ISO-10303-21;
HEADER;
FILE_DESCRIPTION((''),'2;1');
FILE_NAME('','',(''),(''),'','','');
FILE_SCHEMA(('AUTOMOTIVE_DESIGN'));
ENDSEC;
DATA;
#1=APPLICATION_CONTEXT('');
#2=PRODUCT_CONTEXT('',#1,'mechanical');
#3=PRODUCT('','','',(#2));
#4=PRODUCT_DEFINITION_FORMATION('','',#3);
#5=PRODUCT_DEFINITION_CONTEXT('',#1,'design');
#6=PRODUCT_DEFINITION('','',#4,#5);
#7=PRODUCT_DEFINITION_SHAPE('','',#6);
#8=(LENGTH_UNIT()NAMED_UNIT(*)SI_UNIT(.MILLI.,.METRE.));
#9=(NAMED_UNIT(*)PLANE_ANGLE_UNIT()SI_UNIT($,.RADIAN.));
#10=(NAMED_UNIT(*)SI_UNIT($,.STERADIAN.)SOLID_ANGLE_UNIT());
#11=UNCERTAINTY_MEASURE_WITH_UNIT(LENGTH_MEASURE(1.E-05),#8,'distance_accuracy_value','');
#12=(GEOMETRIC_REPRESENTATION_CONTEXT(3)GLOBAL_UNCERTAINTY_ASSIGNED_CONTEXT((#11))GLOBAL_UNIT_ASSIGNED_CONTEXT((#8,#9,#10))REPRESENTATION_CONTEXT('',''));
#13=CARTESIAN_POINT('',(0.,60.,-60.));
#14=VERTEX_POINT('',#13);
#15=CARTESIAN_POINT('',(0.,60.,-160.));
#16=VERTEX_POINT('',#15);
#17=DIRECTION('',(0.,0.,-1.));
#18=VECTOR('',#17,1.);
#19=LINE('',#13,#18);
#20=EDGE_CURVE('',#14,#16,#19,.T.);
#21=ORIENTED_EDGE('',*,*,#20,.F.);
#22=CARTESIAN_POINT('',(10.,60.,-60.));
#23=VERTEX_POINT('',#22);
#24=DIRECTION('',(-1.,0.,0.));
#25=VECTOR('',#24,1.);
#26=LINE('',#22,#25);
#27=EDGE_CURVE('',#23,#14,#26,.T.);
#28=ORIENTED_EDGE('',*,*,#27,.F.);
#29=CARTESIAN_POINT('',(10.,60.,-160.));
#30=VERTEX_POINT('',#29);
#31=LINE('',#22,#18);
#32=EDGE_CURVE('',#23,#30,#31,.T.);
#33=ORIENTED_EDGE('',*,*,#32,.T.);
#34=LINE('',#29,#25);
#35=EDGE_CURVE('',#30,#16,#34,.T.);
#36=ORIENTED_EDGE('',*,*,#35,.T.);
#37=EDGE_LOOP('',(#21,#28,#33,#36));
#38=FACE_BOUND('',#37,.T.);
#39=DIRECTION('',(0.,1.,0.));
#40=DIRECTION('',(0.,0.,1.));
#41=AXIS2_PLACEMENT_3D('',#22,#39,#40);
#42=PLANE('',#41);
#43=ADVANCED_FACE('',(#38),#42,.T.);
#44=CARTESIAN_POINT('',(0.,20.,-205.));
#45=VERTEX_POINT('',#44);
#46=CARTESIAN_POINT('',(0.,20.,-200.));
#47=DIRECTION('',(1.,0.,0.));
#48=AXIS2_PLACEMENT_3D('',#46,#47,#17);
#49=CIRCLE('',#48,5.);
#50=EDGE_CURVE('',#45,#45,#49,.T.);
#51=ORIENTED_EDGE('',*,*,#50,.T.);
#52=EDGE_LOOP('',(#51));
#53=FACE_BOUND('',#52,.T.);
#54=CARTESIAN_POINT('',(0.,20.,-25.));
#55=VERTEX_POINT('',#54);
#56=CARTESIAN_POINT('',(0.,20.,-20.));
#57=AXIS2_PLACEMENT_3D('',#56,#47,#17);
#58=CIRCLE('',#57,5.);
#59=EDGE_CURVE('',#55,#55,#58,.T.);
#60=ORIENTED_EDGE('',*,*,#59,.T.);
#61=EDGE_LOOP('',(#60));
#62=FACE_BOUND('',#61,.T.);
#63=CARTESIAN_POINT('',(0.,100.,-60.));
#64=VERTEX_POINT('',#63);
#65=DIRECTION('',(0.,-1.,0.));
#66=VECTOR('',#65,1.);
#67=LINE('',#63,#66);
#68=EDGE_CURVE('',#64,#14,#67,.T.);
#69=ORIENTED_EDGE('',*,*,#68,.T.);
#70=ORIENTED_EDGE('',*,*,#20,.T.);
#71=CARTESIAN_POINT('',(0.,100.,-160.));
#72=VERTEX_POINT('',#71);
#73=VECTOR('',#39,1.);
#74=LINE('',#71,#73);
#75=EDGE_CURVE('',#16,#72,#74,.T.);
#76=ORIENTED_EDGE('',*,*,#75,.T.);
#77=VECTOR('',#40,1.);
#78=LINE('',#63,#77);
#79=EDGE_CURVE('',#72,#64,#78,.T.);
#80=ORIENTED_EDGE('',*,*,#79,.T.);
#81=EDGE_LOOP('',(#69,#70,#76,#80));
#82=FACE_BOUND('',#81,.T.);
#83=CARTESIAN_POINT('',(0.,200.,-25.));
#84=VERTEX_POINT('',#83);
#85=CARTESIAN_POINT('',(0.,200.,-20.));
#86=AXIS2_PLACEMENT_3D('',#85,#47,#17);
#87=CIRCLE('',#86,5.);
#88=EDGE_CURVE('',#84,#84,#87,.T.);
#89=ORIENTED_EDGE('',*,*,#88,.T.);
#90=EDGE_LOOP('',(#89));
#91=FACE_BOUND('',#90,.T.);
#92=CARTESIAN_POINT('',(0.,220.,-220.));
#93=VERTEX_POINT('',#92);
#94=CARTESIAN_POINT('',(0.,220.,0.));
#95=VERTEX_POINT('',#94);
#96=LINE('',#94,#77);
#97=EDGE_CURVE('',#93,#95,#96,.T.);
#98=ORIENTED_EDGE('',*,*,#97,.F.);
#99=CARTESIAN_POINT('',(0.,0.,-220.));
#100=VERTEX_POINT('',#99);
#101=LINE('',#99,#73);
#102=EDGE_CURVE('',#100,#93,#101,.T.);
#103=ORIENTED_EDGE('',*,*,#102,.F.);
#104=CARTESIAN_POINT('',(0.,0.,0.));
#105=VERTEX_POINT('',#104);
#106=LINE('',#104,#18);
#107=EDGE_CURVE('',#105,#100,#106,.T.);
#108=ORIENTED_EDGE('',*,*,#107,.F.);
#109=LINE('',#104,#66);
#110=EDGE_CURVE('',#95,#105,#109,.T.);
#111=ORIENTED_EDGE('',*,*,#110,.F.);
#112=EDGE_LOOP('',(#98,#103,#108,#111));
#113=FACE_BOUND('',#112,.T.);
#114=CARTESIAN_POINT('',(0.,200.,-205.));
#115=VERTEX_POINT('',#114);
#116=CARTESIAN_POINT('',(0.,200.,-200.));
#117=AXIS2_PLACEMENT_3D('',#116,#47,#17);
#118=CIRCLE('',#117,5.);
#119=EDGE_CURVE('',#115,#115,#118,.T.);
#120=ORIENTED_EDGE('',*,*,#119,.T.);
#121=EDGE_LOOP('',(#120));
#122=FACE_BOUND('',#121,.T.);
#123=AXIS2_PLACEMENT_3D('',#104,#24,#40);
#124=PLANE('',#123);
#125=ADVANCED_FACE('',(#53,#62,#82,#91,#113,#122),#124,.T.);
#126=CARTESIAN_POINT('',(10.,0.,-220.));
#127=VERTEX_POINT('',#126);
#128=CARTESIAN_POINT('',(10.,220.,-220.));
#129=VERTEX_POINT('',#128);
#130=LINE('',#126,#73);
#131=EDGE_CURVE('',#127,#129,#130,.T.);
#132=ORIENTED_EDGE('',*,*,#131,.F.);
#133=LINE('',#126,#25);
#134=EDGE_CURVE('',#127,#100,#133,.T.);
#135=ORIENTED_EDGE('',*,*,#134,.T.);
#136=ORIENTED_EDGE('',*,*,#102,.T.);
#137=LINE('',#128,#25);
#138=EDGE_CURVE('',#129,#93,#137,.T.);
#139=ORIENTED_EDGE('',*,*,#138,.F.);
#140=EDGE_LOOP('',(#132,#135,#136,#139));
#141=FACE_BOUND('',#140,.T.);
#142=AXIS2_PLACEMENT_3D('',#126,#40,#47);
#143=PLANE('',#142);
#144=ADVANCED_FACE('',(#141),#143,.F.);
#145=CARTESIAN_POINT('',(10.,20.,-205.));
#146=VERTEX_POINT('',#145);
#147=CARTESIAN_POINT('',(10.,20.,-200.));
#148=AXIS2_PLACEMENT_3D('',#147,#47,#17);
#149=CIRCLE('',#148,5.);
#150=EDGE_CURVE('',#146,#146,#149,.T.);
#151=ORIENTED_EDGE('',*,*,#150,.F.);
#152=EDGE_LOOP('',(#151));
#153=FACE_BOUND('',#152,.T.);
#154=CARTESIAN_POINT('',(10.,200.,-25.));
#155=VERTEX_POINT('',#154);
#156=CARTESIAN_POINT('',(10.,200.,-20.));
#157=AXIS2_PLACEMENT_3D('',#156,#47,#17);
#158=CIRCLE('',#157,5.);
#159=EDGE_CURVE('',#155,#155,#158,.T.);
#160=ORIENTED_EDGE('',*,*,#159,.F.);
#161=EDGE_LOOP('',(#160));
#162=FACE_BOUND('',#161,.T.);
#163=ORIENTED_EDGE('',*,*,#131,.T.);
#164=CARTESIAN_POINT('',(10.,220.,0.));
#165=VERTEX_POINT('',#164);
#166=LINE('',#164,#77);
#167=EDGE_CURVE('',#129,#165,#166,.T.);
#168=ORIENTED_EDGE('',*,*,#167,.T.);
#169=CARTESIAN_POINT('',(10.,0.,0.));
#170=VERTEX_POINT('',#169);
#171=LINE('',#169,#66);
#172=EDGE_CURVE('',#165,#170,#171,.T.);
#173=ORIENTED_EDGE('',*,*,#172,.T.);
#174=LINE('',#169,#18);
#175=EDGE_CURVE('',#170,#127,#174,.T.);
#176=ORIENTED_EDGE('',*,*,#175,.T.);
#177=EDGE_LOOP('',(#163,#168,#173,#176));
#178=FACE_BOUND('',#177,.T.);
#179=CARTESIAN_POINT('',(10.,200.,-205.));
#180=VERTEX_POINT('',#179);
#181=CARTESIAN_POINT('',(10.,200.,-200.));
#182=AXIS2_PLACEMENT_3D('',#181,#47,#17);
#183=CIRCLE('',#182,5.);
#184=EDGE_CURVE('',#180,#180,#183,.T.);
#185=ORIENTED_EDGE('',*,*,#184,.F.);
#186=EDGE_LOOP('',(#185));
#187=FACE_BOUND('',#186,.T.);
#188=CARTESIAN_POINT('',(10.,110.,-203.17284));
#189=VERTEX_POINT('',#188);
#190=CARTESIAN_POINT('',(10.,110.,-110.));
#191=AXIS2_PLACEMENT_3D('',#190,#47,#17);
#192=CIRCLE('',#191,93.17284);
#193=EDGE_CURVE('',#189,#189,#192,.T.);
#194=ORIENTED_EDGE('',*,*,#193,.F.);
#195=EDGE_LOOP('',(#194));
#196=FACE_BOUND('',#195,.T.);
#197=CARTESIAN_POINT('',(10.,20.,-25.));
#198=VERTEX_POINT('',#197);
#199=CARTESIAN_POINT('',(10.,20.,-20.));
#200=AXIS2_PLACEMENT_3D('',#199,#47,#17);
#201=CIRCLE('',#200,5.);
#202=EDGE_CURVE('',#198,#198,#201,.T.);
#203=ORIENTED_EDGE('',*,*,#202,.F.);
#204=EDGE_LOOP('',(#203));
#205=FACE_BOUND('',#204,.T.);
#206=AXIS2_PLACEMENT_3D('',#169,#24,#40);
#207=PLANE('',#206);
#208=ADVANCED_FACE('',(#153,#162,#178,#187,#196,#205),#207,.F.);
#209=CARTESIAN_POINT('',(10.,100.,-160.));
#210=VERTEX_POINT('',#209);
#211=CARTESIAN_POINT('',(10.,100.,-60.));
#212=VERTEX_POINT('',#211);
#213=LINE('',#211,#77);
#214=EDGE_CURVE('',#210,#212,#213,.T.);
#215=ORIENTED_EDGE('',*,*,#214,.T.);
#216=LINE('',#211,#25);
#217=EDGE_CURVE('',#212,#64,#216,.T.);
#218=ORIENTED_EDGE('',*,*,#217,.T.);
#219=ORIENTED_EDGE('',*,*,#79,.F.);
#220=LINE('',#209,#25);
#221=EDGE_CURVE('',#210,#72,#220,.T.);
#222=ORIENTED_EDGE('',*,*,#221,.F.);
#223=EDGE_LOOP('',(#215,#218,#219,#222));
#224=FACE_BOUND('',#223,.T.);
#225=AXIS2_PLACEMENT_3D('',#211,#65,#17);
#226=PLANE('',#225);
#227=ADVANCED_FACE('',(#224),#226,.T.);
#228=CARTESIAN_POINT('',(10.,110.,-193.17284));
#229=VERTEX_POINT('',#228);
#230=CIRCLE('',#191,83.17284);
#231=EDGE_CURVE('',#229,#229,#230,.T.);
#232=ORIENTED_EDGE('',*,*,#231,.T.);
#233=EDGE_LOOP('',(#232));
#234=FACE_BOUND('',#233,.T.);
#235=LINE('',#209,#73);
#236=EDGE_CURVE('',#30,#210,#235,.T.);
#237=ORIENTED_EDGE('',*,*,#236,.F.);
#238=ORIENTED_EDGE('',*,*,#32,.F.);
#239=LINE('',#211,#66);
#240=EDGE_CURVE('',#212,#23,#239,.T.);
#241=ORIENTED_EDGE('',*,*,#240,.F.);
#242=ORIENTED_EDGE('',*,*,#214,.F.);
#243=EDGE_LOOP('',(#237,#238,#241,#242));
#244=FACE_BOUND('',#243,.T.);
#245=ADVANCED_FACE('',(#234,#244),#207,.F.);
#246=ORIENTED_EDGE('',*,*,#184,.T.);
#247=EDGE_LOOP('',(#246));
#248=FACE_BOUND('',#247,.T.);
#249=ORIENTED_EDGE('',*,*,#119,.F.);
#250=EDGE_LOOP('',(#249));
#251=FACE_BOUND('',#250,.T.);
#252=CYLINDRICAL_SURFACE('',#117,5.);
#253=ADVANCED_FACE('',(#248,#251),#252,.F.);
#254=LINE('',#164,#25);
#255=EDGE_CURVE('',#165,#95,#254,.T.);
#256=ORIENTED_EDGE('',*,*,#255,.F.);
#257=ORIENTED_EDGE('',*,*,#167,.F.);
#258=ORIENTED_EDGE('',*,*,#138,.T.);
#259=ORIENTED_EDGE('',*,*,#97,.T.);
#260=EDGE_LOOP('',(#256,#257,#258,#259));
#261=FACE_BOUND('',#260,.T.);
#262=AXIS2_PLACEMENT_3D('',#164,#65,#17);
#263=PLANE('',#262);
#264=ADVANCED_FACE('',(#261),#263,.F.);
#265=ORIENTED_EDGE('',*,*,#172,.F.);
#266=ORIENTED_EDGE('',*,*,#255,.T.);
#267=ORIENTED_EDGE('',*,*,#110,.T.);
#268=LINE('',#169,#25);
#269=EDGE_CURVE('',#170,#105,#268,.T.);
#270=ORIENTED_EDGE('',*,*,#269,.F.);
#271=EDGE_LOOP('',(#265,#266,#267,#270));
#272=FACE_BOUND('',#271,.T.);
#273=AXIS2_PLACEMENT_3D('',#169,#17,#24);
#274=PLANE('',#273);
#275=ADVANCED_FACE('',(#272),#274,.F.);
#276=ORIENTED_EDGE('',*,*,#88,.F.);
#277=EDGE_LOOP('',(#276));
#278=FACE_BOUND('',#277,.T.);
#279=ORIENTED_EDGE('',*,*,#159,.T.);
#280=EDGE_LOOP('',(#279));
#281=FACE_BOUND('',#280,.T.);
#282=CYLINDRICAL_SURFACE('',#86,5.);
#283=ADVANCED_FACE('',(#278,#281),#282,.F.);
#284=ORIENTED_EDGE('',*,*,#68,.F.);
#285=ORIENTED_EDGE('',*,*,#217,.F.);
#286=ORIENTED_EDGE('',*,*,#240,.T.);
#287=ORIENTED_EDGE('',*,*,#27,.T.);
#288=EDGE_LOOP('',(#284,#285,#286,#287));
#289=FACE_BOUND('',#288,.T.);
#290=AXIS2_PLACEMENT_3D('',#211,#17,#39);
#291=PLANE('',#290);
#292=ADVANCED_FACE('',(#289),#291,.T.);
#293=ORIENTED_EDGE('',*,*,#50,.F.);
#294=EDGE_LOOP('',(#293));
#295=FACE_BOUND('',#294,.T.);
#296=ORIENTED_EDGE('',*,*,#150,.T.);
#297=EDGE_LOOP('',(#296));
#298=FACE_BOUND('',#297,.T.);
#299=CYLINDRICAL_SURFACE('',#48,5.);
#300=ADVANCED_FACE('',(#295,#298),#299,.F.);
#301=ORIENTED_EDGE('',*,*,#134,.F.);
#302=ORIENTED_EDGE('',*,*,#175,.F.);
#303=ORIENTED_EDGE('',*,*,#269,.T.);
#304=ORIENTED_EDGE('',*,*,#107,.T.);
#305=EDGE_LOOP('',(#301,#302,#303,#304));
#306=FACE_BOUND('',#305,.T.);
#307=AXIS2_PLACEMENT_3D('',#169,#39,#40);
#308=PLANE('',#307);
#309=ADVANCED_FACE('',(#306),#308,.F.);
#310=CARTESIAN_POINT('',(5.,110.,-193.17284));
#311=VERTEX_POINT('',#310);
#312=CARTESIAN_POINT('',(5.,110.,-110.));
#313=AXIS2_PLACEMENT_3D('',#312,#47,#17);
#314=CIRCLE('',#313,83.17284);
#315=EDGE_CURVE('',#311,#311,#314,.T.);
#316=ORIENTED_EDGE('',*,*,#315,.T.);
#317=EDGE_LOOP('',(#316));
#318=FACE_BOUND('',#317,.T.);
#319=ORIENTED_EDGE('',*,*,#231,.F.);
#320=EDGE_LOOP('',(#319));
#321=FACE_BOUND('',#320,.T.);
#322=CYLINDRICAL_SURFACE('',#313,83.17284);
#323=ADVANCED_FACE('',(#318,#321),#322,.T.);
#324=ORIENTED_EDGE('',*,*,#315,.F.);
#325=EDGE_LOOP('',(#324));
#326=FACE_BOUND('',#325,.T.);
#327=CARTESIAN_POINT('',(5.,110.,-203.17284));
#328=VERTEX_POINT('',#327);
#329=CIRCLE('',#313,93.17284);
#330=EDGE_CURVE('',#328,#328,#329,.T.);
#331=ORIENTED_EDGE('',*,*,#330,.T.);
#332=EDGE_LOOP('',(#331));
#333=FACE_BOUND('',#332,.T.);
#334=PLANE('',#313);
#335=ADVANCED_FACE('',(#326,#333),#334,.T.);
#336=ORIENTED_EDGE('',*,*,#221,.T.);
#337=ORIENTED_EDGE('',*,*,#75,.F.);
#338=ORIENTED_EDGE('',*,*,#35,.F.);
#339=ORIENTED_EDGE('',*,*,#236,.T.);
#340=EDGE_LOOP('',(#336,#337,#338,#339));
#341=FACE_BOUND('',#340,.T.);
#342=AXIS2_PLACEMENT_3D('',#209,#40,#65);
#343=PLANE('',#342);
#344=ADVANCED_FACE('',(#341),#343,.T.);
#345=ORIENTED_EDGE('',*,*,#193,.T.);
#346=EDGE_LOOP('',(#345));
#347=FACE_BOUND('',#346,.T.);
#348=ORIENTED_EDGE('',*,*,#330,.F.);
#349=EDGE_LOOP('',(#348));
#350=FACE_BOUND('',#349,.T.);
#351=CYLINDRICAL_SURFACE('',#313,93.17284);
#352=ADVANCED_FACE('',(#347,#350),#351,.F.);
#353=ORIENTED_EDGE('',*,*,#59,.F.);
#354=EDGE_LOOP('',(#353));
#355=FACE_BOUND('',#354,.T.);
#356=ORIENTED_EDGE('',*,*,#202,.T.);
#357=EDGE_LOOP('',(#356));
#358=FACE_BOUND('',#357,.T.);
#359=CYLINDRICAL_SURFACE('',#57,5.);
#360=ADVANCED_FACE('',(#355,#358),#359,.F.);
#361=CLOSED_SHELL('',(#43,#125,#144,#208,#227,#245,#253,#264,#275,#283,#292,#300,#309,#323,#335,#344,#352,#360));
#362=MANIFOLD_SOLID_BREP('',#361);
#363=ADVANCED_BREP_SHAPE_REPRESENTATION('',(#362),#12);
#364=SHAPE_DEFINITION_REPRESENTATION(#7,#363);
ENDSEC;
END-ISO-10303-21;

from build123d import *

# Parameters (mm, degrees)
SKETCH1_W           = 220
SKETCH1_H           = 220
SKETCH1_W_2         = 100
SKETCH1_H_2         = 40
BOSS_EXTRUDE1_DEPTH = 10
SKETCH2_R           = 93.17284
SKETCH2_R_2         = 83.17284
CUT_EXTRUDE1_DEPTH  = 5
SKETCH3_R           = 5
CUT_EXTRUDE2_DEPTH  = 11


with BuildPart() as part:
    # Sketch1 → Boss-Extrude1 (new body)
    with BuildSketch(Plane(origin=(0, 0, 0), x_dir=(0, 0, -1), z_dir=(1, 0, 0))):
        with Locations((110, 110)):
            Rectangle(SKETCH1_W, SKETCH1_H)
        with Locations((110, 80)):
            Rectangle(SKETCH1_W_2, SKETCH1_H_2, mode=Mode.SUBTRACT)
    extrude(amount=BOSS_EXTRUDE1_DEPTH)

    # Sketch2 → Cut-Extrude1 (cut)
    with BuildSketch(Plane(origin=(10, 0, 0), x_dir=(0, 0, -1), z_dir=(1, 0, 0))):
        with Locations((110, 110)):
            Circle(SKETCH2_R)
        with Locations((110, 110)):
            Circle(SKETCH2_R_2, mode=Mode.SUBTRACT)
    extrude(amount=-CUT_EXTRUDE1_DEPTH, mode=Mode.SUBTRACT)

    # Sketch3 → Cut-Extrude2 (cut, through all)
    with BuildSketch(Plane(origin=(10, 0, 0), x_dir=(0, 0, -1), z_dir=(1, 0, 0))):
        with Locations((20, 200)):
            Circle(SKETCH3_R)
        with Locations((200, 200)):
            Circle(SKETCH3_R)
        with Locations((200, 20)):
            Circle(SKETCH3_R)
        with Locations((20, 20)):
            Circle(SKETCH3_R)
    extrude(amount=-CUT_EXTRUDE2_DEPTH, mode=Mode.SUBTRACT)


solid = part.part
